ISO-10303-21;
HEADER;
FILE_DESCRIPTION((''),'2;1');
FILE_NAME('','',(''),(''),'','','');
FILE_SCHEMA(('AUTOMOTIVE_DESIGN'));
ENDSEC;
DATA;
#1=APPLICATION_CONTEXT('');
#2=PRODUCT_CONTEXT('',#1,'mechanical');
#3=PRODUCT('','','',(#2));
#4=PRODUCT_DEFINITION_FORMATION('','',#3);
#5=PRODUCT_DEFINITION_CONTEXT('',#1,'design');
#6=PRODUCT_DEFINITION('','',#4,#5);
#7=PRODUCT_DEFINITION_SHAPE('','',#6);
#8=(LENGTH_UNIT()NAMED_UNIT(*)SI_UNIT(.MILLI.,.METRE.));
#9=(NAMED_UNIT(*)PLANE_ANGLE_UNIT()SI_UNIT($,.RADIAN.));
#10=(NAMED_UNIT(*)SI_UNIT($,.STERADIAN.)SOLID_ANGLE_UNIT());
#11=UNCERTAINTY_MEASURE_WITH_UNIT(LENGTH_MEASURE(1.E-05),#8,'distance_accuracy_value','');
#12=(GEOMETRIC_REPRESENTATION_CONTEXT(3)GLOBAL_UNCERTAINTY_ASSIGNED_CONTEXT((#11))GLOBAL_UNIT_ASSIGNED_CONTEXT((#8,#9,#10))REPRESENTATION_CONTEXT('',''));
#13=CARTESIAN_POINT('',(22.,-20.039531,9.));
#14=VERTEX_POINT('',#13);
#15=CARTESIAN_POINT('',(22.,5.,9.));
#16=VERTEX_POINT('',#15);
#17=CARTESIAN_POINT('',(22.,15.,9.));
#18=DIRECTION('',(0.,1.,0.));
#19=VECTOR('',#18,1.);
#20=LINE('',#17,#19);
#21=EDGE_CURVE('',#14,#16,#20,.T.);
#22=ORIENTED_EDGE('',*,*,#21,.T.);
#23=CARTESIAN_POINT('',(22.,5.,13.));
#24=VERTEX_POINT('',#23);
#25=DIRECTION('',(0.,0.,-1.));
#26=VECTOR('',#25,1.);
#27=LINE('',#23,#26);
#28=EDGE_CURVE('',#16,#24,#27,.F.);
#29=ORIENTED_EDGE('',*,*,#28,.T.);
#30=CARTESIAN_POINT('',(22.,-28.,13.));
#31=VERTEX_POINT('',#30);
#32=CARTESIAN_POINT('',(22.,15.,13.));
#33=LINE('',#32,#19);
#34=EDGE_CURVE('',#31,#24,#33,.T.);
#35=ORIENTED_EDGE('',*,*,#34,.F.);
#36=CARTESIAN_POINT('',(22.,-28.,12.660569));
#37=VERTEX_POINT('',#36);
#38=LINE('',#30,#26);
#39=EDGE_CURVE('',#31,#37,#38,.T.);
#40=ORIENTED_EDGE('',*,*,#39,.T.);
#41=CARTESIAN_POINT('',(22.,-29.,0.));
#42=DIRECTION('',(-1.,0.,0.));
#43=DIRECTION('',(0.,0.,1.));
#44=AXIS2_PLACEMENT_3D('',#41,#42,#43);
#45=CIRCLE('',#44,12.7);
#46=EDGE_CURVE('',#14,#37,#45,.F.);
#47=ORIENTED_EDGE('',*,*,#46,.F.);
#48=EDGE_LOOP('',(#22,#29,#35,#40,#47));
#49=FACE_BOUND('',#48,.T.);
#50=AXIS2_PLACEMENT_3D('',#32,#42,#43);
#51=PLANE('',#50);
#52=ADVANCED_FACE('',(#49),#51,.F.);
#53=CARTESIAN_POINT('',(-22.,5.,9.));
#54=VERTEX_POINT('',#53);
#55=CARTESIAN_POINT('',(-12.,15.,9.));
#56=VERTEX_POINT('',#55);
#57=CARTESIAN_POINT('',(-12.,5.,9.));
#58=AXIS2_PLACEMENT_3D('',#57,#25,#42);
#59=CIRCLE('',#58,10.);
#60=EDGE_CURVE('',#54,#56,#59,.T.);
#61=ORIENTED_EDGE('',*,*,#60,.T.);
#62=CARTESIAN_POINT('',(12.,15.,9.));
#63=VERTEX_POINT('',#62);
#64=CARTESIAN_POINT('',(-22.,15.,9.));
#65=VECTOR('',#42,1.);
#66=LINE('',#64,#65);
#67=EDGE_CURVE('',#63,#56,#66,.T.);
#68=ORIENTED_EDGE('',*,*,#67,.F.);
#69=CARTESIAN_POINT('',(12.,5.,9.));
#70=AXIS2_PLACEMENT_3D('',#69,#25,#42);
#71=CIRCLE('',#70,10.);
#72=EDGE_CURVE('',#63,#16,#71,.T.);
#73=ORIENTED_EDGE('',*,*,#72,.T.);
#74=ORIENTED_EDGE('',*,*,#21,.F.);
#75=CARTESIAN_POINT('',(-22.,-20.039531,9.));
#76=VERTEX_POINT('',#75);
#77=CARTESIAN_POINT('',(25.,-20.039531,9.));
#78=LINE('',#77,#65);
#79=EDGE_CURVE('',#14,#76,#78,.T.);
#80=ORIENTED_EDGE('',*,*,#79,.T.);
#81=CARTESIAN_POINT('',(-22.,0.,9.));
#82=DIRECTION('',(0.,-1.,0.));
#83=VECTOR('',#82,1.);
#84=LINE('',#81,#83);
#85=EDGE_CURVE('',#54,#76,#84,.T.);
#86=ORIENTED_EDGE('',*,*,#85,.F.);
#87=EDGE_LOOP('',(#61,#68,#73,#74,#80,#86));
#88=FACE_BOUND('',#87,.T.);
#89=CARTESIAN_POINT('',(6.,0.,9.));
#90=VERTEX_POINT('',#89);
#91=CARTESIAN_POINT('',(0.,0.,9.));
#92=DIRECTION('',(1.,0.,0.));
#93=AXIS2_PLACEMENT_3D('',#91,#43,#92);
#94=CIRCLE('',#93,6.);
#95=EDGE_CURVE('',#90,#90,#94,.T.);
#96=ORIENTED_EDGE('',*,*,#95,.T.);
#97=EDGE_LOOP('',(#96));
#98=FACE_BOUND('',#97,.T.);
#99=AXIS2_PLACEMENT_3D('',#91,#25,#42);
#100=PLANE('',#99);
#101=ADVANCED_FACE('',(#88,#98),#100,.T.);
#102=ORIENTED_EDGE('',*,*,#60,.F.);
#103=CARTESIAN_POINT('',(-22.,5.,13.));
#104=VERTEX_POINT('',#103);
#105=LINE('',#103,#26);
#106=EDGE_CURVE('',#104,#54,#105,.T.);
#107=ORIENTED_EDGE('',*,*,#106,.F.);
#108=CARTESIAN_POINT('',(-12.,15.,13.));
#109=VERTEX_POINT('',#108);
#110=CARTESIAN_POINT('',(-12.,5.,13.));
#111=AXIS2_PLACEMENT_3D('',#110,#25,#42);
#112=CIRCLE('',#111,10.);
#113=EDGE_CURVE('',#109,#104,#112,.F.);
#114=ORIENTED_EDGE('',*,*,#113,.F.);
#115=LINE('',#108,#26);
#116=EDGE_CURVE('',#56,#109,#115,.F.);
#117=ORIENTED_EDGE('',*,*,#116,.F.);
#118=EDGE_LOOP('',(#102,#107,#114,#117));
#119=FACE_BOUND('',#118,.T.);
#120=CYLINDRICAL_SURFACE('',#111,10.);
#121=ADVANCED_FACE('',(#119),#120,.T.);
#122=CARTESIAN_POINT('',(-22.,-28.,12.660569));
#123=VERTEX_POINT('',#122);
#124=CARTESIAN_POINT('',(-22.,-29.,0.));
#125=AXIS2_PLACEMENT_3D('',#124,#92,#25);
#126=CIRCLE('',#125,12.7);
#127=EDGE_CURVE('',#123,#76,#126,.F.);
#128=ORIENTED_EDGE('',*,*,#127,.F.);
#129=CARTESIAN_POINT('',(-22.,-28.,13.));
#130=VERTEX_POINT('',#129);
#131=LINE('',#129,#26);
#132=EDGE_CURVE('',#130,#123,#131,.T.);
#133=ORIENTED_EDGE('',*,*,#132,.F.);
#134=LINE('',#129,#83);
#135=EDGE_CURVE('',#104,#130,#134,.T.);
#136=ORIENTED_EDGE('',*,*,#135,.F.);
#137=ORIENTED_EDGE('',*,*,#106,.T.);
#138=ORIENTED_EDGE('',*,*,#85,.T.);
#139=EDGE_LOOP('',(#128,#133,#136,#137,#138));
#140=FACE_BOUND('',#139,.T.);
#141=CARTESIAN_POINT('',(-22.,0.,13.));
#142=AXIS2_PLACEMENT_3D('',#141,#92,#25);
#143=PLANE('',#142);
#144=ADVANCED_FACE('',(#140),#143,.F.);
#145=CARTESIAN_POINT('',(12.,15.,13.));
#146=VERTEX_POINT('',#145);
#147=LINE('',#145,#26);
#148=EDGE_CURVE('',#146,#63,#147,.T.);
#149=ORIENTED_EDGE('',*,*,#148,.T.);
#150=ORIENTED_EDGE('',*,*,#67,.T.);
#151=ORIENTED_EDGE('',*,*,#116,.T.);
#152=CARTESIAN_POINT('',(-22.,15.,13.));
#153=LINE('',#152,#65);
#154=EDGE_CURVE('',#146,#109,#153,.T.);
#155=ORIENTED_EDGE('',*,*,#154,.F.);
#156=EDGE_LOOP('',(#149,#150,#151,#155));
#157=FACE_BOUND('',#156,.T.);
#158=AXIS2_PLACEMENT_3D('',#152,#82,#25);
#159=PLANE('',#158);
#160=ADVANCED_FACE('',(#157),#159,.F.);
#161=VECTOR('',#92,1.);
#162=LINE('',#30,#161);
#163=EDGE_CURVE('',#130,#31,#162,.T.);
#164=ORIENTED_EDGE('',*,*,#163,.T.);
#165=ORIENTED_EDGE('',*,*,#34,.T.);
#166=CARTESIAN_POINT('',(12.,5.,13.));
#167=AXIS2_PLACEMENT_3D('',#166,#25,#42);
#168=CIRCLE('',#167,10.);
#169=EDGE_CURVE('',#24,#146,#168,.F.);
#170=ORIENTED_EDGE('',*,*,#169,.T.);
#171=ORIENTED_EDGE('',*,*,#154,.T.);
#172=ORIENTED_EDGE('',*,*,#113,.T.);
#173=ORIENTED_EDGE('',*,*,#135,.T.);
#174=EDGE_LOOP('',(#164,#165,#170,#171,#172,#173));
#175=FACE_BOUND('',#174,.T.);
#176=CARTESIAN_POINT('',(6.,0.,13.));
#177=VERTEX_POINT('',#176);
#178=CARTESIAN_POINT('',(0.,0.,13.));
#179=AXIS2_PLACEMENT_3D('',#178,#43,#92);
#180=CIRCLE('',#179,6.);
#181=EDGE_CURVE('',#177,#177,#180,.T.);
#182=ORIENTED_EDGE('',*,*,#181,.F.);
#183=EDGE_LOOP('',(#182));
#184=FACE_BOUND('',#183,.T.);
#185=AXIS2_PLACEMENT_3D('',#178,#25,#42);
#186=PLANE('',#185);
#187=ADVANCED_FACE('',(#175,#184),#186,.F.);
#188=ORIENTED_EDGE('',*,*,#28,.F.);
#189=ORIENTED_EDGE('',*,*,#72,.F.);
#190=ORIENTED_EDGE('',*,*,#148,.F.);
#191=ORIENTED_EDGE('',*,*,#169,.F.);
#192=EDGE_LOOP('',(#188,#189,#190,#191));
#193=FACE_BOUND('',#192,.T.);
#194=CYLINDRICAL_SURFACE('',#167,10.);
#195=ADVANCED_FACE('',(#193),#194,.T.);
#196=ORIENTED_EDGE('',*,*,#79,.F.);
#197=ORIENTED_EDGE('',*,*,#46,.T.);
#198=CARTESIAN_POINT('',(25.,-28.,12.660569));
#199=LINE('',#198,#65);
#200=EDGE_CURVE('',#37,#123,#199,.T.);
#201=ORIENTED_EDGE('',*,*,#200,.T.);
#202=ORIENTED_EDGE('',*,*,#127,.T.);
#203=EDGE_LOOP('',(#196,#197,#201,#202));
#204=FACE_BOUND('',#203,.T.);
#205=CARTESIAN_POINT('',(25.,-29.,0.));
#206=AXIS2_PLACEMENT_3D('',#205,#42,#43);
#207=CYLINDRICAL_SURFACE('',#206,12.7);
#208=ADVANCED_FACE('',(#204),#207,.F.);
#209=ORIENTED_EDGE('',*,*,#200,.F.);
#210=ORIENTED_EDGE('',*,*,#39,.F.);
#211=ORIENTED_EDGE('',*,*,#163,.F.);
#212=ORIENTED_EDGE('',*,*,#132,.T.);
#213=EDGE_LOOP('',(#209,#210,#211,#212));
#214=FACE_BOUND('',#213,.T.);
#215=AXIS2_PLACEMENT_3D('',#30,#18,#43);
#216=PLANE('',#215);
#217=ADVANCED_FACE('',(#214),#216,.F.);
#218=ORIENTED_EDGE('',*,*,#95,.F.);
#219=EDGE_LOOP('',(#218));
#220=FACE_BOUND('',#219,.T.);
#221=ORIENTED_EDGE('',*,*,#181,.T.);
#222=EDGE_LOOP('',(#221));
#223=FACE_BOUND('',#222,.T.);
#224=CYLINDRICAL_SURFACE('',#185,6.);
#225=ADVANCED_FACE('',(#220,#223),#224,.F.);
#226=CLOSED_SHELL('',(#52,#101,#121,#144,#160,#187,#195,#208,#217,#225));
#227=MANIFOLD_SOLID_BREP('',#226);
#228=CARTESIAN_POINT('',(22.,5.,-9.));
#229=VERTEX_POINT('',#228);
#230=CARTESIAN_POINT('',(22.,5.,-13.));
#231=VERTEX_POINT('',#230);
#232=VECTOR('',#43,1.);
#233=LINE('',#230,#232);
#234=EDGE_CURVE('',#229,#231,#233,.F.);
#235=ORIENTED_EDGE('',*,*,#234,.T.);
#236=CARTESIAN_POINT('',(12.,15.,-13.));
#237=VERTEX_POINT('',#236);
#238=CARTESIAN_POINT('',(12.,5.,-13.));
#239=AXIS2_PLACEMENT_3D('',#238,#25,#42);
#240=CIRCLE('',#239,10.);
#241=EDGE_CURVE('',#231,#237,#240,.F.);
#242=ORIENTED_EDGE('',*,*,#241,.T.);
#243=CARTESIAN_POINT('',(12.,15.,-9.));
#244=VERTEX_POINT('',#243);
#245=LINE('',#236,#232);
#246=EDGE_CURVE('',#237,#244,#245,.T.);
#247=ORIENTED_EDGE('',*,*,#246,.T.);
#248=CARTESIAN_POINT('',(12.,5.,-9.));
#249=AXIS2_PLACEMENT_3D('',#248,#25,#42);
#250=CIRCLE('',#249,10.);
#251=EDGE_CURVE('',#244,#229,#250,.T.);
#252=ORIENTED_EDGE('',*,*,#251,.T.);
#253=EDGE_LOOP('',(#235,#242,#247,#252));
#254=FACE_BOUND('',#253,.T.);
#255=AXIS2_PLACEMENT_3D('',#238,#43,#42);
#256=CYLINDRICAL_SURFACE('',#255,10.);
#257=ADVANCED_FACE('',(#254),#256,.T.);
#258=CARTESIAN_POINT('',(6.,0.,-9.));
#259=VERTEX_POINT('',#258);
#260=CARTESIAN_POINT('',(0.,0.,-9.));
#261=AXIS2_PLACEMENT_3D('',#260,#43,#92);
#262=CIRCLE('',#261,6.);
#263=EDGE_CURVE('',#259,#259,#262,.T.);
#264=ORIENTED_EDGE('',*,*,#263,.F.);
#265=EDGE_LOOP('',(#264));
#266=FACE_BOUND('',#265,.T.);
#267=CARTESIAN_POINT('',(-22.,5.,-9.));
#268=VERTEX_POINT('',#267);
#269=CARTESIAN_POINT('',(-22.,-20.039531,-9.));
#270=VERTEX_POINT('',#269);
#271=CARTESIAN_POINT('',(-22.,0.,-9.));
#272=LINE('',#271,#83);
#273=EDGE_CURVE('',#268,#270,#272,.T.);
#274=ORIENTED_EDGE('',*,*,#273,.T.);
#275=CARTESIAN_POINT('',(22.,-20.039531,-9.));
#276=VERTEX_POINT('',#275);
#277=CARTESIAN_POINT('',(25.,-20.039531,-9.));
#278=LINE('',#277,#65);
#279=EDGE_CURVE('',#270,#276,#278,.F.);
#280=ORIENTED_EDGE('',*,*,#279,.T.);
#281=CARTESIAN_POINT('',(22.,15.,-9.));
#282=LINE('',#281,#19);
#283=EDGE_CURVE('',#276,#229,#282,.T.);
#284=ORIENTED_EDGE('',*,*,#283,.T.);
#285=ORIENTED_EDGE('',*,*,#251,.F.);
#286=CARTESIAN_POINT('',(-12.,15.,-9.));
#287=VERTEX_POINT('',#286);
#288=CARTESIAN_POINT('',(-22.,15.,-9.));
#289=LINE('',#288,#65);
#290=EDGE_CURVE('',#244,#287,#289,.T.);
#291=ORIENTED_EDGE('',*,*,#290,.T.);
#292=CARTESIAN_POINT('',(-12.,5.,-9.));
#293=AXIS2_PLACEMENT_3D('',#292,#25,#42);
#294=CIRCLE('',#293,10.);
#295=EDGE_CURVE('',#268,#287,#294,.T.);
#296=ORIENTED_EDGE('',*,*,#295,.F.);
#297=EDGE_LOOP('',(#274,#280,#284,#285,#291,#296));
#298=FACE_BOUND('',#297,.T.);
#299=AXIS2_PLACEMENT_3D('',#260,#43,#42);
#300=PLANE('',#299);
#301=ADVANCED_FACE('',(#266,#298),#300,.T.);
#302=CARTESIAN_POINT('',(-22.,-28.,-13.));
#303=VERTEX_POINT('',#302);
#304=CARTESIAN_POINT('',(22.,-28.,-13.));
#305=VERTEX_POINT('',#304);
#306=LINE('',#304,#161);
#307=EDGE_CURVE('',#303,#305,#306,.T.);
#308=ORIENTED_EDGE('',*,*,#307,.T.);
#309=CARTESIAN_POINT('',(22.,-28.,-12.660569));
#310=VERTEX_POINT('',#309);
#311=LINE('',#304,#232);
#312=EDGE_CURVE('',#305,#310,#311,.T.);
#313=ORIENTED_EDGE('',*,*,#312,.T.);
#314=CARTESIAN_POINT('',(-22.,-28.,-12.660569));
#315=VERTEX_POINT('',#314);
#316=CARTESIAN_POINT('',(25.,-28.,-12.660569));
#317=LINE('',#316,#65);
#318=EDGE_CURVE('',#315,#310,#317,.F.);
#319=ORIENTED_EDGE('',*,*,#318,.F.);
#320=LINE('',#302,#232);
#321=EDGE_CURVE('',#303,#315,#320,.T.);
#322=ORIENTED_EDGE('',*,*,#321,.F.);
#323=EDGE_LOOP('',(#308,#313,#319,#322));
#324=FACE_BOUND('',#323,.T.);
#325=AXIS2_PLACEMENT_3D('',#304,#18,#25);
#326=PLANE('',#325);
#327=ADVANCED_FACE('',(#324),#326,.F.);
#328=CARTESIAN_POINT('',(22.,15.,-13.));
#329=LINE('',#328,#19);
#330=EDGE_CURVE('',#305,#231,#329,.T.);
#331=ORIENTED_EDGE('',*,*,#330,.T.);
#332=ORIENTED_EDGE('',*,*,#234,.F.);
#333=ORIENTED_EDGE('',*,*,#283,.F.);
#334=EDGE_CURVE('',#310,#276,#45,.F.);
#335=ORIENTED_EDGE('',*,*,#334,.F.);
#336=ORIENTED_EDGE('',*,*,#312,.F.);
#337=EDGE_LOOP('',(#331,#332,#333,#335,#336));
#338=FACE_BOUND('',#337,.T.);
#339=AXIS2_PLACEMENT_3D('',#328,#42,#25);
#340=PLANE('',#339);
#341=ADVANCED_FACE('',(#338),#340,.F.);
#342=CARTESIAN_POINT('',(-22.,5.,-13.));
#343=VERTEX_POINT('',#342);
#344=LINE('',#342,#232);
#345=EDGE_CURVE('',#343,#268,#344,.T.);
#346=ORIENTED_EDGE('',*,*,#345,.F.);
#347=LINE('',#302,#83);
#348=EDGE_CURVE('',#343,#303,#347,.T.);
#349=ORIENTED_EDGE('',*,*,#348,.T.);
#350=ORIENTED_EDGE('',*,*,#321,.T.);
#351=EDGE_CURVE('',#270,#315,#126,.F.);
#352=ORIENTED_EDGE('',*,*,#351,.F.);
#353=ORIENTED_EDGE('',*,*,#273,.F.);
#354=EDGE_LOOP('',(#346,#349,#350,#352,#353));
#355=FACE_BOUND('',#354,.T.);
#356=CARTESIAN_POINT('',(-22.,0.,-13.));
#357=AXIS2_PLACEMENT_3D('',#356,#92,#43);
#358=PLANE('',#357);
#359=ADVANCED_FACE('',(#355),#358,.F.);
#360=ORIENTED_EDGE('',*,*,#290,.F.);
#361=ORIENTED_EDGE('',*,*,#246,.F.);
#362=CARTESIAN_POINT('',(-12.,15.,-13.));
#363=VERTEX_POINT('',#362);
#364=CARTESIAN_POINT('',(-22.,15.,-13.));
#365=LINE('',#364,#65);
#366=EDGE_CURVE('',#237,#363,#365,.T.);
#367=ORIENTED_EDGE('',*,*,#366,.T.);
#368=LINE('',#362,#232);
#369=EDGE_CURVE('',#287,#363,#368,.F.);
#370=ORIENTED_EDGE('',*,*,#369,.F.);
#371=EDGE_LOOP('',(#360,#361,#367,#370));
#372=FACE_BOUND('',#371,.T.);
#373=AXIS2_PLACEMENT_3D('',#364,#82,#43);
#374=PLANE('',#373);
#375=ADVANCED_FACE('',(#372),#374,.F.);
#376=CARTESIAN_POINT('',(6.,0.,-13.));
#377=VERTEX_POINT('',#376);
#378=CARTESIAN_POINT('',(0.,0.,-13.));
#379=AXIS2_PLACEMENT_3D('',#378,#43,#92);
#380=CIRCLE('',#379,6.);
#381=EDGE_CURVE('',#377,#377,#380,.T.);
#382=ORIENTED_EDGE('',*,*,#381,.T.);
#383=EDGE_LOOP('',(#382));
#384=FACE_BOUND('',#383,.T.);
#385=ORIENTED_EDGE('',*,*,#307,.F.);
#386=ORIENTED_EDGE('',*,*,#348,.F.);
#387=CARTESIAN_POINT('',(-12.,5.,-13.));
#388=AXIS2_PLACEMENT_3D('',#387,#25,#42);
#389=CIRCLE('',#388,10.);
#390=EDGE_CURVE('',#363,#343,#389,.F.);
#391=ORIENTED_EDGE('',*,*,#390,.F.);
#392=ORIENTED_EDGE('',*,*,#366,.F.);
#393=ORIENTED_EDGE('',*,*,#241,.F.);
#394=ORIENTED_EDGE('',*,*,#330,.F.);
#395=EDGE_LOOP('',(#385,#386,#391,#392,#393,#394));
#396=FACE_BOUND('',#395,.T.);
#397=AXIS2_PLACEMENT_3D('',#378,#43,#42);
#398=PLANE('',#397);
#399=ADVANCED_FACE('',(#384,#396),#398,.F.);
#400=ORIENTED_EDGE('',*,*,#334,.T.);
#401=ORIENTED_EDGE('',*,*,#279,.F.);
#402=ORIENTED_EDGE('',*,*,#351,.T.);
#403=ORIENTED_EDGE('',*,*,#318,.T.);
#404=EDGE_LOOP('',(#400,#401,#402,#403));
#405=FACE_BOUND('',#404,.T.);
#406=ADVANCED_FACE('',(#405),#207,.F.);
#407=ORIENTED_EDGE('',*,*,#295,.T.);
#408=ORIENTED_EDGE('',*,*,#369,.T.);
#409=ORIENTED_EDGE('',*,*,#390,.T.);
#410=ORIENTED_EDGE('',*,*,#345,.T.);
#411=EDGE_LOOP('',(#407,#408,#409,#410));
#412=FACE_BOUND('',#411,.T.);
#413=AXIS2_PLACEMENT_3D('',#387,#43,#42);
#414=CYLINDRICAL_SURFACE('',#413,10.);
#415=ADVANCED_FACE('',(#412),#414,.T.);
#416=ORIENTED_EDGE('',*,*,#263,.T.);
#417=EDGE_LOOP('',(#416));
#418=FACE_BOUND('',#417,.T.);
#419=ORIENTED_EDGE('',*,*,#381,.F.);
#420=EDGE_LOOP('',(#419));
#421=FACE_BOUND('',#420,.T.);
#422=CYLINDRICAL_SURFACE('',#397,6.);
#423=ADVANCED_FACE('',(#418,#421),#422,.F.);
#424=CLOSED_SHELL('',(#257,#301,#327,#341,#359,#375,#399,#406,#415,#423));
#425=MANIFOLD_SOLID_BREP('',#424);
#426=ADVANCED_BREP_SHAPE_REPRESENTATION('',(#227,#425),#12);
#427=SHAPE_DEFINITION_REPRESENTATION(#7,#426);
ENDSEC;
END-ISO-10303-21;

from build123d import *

# Parameters (mm, degrees)
SKETCH2_R               = 6
BOSS_EXTRUDE1_DEPTH     = 4
FILLET1_R               = 10
CUT_EXTRUDE1_DEPTH      = 25
CUT_EXTRUDE1_DEPTH_BACK = 25
SKETCH3_R               = 12.7


with BuildPart() as part:
    # Sketch2 → Boss-Extrude1 (new body)
    with BuildSketch(Plane.XY.offset(9)):
        Polygon((-22, 0), (-22, 15), (22, 15), (22, -28), (-22, -28), align=None)
        Circle(SKETCH2_R, mode=Mode.SUBTRACT)
    extrude(amount=BOSS_EXTRUDE1_DEPTH)

    # Fillet1
    fillet1_edges = [part.edges().sort_by_distance(p)[0] for p in [
        (-22, 15, 11),
        (22, 15, 11),
    ]]
    fillet(fillet1_edges, radius=FILLET1_R)


with BuildPart() as body_2:
    # Mirror2: mirrored copy
    add(part.part.mirror(Plane.XY))


with BuildPart() as cut_extrude1_tool:
    # Sketch3 → Cut-Extrude1 (new, two sides: drawn at the far end of the back side and taken through both)
    with BuildSketch(Plane(origin=(0, 0, 0), x_dir=(0, 0, -1), z_dir=(1, 0, 0)).offset(-CUT_EXTRUDE1_DEPTH_BACK)):
        with Locations((0, -29)):
            Circle(SKETCH3_R)
    extrude(amount=CUT_EXTRUDE1_DEPTH + CUT_EXTRUDE1_DEPTH_BACK)


with BuildPart() as part_1:
    add(part.part)

    # Cut-Extrude1: cut by cut_extrude1_tool
    add(cut_extrude1_tool.part, mode=Mode.SUBTRACT)


with BuildPart() as body_2_1:
    add(body_2.part)

    # Cut-Extrude1: cut by cut_extrude1_tool
    add(cut_extrude1_tool.part, mode=Mode.SUBTRACT)


solid = Compound([part_1.part, body_2_1.part])
